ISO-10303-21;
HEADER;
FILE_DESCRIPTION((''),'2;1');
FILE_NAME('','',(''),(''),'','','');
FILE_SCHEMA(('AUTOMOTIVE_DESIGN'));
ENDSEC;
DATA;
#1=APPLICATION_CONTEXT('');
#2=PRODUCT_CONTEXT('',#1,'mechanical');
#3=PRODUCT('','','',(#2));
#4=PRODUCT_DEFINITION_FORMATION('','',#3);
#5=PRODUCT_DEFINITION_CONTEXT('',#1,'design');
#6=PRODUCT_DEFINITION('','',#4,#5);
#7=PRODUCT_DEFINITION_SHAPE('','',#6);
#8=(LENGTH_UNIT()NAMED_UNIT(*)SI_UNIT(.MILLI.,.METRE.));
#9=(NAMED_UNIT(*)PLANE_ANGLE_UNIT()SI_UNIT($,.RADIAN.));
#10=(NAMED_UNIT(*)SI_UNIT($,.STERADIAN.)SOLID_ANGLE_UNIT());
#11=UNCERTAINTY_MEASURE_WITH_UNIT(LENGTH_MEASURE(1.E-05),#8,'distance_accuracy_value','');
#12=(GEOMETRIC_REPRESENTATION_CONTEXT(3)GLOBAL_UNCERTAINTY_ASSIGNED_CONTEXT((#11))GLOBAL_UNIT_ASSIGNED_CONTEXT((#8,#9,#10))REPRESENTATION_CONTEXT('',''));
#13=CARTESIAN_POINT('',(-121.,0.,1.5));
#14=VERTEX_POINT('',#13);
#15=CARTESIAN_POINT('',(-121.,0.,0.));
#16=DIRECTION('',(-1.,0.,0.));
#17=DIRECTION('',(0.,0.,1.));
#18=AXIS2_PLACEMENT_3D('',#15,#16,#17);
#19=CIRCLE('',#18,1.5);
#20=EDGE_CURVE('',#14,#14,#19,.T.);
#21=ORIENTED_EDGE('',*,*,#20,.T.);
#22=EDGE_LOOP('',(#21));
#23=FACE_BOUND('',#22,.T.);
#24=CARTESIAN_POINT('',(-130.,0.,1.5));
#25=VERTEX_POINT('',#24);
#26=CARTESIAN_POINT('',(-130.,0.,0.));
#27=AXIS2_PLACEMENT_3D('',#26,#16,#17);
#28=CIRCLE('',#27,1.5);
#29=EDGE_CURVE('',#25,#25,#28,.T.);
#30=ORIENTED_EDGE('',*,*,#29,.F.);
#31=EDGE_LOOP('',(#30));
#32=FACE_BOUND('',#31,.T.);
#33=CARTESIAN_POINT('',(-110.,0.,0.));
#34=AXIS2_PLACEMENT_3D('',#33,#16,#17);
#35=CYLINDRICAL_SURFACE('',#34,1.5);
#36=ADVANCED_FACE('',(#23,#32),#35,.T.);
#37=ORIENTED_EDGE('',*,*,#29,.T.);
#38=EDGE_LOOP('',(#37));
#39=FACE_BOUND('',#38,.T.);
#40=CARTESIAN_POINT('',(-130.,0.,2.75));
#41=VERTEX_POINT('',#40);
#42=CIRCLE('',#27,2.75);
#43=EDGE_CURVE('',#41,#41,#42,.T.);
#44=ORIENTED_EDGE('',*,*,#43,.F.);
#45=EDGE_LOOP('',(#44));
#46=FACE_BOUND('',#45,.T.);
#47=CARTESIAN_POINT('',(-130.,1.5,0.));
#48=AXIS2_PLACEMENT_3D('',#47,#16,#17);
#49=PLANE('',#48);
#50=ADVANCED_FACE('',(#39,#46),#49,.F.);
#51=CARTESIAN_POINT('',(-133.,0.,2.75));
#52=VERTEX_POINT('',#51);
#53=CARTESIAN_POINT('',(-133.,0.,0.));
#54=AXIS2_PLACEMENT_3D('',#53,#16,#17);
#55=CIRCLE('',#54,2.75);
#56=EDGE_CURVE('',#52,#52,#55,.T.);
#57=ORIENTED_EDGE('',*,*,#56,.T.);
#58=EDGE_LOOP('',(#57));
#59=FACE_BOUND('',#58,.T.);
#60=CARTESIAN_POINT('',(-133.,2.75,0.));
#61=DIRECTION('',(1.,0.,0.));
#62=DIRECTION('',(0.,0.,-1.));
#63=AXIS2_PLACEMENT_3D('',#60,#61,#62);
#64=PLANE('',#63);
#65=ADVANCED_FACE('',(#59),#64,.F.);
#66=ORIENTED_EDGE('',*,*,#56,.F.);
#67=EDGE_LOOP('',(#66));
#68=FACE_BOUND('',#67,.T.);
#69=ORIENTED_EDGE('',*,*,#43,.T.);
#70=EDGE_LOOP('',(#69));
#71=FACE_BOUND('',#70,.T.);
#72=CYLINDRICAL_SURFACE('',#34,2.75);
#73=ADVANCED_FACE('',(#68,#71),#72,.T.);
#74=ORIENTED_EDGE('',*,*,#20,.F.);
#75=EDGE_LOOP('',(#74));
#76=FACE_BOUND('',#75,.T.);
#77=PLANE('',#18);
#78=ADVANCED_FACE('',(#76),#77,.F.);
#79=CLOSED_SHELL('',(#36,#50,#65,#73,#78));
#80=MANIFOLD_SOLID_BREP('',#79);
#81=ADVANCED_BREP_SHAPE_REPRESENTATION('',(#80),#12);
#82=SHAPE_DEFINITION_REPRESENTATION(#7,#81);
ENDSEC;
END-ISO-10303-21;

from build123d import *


with BuildPart() as part:
    # Axial profile (mm) → Full revolution (revolve)
    with BuildSketch(Plane.XY, mode=Mode.PRIVATE) as full_revolution_sk:
        Polygon((-133, 0), (-121, 0), (-121, 1.5), (-130, 1.5), (-130, 2.75), (-133, 2.75), align=None)
    revolve(full_revolution_sk.sketch.rotate(Axis((-110, 0, 0), (1, 0, 0)), 90), axis=Axis((-110, 0, 0), (1, 0, 0)))


solid = part.part
